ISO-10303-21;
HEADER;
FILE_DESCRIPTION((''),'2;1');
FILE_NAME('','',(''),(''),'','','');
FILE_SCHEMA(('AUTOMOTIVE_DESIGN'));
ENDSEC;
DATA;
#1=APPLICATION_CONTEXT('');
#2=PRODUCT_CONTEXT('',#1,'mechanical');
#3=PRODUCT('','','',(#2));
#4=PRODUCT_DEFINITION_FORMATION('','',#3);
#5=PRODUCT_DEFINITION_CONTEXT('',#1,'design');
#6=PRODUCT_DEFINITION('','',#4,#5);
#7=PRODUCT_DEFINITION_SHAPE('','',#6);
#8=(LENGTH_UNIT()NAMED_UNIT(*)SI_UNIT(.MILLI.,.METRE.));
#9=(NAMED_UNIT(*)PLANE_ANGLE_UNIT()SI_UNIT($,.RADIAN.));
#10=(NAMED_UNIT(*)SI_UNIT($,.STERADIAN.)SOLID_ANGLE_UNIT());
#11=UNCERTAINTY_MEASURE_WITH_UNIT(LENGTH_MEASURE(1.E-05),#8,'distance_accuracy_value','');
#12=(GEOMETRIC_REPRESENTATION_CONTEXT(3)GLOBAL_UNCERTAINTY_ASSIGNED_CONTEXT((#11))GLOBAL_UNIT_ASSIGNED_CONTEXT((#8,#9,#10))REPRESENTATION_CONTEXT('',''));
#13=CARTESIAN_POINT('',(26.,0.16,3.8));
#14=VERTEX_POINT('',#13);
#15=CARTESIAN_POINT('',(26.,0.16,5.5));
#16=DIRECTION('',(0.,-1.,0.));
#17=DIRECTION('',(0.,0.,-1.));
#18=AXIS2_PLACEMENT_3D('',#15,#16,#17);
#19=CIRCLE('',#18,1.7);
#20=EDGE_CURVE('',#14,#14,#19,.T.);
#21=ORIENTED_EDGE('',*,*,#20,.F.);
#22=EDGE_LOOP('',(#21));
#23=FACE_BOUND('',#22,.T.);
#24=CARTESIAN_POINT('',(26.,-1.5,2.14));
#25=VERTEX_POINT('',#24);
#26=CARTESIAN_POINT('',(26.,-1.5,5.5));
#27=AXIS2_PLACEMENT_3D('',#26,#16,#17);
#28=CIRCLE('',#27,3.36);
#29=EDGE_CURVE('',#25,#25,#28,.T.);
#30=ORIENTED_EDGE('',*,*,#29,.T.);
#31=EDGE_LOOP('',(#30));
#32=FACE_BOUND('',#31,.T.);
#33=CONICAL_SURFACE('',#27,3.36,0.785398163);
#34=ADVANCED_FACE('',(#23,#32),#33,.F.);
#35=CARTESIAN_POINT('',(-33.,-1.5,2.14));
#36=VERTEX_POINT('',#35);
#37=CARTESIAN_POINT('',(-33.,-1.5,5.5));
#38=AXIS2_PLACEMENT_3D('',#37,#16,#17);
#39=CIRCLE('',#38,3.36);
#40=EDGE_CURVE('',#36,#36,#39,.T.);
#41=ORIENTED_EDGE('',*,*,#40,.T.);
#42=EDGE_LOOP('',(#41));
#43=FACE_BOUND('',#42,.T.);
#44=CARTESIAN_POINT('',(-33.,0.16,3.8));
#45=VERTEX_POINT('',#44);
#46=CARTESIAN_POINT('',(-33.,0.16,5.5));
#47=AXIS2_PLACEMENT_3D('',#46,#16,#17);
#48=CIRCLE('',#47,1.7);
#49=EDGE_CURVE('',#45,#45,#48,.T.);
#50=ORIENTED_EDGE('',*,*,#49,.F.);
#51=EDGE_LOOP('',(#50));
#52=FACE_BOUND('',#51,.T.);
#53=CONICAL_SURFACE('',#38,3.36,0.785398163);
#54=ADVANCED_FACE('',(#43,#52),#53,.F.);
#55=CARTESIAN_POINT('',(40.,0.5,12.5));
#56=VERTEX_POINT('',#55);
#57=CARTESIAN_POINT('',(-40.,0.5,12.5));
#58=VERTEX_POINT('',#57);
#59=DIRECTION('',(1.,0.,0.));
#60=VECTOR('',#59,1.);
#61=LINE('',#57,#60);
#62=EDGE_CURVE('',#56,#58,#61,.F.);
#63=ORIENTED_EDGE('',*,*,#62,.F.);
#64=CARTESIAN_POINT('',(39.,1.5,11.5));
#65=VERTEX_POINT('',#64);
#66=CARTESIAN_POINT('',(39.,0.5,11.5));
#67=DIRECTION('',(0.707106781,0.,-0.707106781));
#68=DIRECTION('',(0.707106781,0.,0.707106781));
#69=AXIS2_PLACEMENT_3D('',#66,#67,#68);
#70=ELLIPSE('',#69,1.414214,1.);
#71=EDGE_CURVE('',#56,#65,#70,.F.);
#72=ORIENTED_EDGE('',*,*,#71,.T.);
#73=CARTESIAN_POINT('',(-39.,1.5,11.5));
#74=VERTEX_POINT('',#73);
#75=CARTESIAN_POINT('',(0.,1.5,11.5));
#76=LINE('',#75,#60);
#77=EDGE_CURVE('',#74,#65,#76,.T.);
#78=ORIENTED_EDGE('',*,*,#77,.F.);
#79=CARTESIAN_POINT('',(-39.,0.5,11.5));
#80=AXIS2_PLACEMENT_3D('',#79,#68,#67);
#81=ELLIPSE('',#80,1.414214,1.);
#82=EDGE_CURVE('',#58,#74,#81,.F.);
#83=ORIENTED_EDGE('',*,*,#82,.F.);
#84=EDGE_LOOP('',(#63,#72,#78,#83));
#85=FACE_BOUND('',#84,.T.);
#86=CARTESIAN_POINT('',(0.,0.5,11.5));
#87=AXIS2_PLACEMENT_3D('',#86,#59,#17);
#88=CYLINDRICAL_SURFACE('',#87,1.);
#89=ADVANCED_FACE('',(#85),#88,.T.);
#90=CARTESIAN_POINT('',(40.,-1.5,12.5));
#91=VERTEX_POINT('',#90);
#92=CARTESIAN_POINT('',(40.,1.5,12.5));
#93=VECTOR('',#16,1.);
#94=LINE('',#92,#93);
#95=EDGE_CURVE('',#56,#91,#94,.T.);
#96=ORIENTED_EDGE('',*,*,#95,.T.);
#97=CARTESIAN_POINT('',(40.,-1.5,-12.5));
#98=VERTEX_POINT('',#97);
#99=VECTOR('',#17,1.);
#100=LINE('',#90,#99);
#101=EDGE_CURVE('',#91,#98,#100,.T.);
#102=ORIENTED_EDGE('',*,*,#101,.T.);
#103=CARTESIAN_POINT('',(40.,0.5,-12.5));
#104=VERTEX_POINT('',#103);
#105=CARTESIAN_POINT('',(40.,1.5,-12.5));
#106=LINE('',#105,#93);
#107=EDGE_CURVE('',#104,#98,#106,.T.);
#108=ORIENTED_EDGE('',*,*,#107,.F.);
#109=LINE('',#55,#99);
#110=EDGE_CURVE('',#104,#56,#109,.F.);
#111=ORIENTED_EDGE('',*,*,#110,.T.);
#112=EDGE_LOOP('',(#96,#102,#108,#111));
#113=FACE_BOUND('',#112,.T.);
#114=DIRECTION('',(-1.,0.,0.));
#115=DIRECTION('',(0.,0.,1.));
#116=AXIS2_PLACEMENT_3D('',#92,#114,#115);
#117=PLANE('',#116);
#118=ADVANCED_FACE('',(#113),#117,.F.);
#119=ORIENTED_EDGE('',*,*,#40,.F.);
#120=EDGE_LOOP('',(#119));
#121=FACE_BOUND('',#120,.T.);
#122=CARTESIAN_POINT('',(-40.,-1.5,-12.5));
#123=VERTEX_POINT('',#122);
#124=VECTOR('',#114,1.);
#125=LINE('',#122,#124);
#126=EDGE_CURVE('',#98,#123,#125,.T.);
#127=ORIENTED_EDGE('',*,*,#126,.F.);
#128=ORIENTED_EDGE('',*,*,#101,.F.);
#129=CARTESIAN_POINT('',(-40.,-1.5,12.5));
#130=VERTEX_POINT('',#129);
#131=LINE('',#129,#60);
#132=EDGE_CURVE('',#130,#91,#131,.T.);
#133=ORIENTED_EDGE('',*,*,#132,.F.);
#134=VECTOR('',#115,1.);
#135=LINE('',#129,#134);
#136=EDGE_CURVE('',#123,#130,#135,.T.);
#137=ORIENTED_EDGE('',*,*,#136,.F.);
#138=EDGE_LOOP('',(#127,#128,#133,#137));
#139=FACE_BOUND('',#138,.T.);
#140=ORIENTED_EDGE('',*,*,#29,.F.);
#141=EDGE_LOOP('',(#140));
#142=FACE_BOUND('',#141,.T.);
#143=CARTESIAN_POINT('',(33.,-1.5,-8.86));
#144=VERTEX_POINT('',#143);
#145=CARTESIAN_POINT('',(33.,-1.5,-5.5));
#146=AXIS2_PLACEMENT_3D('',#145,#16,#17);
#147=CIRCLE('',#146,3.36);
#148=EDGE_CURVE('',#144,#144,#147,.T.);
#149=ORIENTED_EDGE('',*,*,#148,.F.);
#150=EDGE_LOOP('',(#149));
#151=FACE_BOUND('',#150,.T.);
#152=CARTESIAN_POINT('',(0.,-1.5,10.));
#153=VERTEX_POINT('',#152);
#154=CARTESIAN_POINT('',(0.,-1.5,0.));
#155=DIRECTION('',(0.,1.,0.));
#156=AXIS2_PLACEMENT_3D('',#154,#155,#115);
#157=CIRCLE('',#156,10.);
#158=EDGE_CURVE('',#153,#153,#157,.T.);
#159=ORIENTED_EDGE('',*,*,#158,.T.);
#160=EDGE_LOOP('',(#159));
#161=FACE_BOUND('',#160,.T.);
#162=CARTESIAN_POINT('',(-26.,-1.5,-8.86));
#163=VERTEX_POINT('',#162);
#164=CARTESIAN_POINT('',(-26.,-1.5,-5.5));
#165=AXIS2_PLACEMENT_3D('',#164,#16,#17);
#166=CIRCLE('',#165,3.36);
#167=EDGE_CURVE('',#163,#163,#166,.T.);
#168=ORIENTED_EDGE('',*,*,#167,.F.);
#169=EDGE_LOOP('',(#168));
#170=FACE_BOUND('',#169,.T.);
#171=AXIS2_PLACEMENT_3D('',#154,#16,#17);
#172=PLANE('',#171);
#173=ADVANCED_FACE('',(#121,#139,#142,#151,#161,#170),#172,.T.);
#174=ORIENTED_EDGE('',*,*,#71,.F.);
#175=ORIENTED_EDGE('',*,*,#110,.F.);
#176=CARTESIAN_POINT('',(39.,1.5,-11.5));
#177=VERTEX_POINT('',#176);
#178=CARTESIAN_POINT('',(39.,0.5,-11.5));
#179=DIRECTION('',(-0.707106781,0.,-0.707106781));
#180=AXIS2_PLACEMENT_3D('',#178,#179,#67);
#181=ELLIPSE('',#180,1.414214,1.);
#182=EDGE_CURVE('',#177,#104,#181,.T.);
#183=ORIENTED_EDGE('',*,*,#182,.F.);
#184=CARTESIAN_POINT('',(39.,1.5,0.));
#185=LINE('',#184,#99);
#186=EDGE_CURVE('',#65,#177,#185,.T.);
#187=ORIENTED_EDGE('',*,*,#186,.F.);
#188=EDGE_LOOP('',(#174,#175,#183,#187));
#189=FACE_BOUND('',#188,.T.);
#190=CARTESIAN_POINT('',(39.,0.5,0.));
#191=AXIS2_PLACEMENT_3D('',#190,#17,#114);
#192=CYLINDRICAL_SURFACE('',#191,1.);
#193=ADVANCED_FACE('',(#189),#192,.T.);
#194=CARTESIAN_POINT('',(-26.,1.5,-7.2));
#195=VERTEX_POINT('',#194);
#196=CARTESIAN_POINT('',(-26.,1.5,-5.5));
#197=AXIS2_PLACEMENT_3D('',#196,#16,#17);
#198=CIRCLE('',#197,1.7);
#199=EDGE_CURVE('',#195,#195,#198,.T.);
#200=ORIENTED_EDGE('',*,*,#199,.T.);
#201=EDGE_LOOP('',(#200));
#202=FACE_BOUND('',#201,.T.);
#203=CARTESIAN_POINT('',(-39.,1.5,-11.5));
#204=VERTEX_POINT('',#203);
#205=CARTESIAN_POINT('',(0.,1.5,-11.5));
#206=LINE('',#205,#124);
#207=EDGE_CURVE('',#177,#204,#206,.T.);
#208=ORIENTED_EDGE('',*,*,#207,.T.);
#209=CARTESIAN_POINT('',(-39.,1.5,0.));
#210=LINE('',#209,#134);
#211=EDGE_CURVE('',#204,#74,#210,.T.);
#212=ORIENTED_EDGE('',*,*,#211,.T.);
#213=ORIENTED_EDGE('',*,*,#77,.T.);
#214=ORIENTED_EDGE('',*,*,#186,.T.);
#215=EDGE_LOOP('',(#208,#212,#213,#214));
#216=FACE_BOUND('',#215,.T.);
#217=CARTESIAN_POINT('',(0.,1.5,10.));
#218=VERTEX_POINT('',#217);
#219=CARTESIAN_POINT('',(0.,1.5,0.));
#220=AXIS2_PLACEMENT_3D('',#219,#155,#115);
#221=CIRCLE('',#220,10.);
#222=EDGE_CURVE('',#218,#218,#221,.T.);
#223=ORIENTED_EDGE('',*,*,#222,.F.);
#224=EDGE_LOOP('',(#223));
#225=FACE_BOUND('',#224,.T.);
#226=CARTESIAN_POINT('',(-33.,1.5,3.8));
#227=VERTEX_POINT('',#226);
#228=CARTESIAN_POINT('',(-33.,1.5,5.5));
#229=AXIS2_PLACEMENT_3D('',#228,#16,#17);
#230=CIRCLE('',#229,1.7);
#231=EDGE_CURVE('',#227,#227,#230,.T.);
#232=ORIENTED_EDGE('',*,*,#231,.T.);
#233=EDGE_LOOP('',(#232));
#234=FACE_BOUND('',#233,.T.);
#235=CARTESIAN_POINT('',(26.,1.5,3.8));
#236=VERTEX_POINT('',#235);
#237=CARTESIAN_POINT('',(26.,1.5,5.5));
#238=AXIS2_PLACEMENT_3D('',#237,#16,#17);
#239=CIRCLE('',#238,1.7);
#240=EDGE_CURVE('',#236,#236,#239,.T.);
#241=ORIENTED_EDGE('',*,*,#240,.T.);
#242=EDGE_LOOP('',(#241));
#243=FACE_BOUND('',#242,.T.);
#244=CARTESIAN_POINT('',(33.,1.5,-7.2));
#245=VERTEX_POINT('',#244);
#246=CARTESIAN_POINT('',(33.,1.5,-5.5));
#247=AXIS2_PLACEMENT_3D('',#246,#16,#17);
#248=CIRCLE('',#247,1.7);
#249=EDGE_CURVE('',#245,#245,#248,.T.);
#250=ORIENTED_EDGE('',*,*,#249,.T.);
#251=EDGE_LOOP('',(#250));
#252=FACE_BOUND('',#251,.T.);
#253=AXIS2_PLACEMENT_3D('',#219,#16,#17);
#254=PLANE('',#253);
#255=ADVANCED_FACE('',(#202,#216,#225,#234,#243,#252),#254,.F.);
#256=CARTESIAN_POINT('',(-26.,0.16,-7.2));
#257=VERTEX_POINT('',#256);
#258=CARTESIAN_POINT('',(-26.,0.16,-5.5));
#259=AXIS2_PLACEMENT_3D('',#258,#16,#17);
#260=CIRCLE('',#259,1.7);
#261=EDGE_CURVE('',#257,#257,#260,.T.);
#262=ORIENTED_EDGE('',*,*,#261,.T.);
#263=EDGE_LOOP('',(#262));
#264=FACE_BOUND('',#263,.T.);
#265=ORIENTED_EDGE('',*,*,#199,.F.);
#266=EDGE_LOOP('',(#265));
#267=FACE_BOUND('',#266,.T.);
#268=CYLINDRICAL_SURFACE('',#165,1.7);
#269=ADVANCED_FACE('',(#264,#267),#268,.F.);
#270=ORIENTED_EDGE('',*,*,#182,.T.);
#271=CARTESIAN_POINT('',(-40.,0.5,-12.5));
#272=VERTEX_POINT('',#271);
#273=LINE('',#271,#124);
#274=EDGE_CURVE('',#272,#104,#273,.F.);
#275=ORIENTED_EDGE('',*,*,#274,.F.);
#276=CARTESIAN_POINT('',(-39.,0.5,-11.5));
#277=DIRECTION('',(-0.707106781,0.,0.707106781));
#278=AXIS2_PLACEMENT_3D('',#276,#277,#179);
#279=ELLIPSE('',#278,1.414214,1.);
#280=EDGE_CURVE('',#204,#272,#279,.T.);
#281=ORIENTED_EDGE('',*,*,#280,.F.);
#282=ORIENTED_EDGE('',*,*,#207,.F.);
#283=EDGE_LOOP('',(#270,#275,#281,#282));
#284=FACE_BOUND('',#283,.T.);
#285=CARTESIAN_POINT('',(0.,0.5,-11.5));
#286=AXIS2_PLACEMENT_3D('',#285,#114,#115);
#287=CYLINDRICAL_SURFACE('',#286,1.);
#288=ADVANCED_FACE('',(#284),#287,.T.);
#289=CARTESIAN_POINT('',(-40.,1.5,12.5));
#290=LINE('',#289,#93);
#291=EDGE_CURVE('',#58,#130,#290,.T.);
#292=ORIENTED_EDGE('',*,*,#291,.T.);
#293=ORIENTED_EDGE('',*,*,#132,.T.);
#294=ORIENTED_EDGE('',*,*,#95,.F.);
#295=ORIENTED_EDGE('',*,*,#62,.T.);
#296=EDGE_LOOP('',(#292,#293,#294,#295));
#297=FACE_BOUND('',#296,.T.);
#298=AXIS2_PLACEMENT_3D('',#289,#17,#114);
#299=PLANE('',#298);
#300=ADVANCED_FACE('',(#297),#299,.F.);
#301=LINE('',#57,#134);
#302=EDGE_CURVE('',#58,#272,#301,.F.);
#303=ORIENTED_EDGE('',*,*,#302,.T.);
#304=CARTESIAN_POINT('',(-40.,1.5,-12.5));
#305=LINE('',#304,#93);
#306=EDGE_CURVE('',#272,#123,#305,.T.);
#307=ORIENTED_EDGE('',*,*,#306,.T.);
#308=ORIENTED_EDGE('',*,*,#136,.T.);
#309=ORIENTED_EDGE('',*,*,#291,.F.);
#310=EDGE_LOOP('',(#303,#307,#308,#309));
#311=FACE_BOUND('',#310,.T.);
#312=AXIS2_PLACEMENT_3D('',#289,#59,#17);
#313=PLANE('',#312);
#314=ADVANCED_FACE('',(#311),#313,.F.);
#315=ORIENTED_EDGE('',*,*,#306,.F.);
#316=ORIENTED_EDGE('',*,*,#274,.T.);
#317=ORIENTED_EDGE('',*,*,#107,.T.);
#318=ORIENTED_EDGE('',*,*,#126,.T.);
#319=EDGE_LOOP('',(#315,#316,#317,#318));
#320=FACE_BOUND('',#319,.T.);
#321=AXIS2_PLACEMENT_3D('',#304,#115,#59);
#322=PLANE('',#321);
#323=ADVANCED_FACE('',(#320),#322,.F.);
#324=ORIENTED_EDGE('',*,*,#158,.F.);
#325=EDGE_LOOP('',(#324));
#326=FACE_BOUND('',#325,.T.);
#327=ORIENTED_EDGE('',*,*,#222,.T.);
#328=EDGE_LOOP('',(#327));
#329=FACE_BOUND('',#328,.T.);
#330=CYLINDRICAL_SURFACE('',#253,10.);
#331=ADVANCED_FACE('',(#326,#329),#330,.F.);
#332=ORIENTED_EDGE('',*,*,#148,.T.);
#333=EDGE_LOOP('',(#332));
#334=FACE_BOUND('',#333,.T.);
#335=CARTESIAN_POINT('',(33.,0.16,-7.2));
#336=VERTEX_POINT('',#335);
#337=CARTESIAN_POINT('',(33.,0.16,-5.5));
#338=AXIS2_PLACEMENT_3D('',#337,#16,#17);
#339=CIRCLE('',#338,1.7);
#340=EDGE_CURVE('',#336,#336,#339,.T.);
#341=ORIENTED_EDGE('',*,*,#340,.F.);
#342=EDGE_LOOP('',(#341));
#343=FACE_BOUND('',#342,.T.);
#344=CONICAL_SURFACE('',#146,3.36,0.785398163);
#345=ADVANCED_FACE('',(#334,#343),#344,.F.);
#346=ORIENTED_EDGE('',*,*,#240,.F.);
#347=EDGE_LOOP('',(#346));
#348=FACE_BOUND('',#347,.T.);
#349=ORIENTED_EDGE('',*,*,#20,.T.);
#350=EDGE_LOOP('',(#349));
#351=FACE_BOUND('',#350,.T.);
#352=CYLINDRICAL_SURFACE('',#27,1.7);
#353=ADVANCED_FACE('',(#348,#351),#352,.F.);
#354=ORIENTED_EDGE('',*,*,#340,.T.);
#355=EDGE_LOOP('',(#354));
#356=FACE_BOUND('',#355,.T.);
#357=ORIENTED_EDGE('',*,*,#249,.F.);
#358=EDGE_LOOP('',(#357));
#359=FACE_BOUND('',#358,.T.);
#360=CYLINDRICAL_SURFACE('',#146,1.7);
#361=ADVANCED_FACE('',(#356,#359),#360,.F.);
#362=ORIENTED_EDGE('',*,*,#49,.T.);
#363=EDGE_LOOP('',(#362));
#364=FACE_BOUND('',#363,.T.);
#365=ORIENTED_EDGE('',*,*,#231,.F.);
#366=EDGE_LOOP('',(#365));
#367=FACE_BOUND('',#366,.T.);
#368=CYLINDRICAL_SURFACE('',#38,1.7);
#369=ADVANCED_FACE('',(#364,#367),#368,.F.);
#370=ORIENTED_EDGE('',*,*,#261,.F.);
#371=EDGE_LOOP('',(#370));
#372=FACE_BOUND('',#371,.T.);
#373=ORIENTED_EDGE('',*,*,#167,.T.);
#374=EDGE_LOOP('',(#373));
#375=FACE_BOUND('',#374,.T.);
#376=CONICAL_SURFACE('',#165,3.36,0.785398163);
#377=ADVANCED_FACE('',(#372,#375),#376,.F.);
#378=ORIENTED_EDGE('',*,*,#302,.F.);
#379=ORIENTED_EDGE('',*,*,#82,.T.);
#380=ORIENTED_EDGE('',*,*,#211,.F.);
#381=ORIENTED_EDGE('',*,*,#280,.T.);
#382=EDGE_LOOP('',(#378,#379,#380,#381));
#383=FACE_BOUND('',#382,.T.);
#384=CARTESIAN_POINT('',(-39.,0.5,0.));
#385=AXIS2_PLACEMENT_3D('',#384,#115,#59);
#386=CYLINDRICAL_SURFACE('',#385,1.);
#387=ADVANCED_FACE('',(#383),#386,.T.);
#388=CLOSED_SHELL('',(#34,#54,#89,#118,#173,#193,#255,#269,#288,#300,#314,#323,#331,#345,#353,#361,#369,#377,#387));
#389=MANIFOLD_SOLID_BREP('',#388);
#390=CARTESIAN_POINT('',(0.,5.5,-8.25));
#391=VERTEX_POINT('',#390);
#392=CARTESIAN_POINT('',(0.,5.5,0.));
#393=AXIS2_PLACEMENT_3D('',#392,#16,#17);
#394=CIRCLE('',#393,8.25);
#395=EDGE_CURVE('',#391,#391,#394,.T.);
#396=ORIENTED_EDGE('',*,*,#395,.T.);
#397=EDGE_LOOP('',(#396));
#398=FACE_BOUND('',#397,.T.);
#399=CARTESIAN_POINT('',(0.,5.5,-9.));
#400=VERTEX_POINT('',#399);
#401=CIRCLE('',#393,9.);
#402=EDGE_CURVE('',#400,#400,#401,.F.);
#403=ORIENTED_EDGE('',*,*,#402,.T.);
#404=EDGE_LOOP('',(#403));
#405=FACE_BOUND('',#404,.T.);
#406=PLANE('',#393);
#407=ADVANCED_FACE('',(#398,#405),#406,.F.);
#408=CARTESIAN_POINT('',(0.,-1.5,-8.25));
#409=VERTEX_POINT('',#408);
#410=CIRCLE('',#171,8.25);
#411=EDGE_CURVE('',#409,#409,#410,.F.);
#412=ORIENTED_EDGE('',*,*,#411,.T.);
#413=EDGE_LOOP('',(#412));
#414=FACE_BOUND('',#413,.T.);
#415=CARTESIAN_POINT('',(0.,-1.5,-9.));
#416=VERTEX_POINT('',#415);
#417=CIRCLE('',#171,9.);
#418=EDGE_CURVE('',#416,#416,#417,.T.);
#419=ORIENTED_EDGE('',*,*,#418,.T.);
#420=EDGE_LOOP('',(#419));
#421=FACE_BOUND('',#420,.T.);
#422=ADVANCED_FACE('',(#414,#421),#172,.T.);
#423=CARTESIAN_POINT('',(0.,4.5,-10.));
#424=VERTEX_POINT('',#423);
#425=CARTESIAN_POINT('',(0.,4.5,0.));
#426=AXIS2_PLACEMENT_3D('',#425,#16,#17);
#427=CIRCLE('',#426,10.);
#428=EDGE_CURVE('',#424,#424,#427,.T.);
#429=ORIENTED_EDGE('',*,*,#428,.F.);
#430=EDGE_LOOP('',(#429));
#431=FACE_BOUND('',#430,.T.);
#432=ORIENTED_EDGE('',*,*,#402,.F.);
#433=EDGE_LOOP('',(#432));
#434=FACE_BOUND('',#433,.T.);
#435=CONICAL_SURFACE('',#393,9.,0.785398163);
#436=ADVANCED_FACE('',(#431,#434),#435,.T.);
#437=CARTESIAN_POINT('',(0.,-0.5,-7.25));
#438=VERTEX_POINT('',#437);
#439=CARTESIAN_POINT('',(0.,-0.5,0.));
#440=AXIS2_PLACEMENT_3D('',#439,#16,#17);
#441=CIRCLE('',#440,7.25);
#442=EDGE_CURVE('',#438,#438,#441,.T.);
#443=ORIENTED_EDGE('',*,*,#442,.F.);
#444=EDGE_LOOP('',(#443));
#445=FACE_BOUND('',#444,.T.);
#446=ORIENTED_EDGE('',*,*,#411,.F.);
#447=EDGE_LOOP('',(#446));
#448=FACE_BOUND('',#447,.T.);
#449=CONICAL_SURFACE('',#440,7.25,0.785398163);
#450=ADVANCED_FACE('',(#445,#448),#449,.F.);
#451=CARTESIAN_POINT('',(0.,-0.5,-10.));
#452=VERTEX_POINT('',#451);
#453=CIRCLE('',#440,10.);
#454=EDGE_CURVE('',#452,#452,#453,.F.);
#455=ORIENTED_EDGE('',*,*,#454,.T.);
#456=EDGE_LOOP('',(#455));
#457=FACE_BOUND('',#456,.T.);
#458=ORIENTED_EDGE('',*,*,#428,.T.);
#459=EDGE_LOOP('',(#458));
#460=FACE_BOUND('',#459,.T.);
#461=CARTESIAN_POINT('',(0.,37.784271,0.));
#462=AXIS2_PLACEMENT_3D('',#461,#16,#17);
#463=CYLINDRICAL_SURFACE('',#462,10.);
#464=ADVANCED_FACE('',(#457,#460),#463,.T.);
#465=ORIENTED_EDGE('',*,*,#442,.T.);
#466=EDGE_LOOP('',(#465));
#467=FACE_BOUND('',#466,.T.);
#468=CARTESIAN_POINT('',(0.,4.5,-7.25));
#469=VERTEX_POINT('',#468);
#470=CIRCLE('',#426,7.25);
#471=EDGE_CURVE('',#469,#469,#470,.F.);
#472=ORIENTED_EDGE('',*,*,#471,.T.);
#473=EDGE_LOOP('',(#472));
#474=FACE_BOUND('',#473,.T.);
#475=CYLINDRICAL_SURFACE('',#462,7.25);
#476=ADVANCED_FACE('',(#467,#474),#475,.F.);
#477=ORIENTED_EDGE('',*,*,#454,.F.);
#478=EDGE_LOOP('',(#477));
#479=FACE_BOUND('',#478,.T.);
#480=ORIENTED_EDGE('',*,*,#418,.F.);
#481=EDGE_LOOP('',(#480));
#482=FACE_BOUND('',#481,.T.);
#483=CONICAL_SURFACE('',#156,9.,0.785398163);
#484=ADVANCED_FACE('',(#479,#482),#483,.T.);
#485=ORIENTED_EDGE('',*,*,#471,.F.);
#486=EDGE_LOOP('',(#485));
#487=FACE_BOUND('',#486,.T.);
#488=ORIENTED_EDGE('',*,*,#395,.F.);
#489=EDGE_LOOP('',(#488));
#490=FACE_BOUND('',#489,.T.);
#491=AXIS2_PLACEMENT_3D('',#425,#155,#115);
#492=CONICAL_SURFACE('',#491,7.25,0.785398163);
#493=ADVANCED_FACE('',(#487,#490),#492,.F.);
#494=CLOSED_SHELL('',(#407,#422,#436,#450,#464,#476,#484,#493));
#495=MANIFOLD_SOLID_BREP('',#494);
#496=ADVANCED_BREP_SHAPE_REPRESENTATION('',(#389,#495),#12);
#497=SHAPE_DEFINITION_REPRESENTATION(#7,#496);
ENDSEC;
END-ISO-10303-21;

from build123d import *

# Parameters (mm, degrees)
ESBO_O1_W                           = 80
ESBO_O1_H                           = 25
ESBO_O1_R                           = 10
RESSALTO_EXTRUS_O1_DEPTH            = 1.5
ESBO_O2_R                           = 10
ESBO_O2_R_2                         = 7.25
RESSALTO_EXTRUS_O2_DEPTH            = 7
CHANFRO1_SIZE                       = 1
FILETE1_R                           = 1
ESCAREADO_PARA_SFHCS_M31_AT_2_COUNT = 2
ESCAREADO_PARA_SFHCS_M31_AT_2_PITCH = 13.03840481
ESCAREADO_PARA_SFHCS_M31_AT_3_COUNT = 2
ESCAREADO_PARA_SFHCS_M31_AT_3_PITCH = 59
ESCAREADO_PARA_SFHCS_M31_AT_4_COUNT = 2
ESCAREADO_PARA_SFHCS_M31_AT_4_PITCH = 66.910387833


with BuildPart() as part:
    # Esboço1 → Ressalto-extrusão1 (new, symmetric)
    with BuildSketch(Plane(origin=(0, 0, 0), x_dir=(1, 0, 0), z_dir=(0, 1, 0))):
        Rectangle(ESBO_O1_W, ESBO_O1_H)
        with Locations(Location((0, 0, 0), (0, 0, 270))):
            Circle(ESBO_O1_R, mode=Mode.SUBTRACT)
    extrude(amount=RESSALTO_EXTRUS_O1_DEPTH, both=True)

    # Filete1
    filete1_edges = [part.edges().sort_by_distance(p)[0] for p in [
        (-40, 1.5, 0),
        (0, 1.5, 12.5),
        (40, 1.5, 0),
        (0, 1.5, -12.5),
    ]]
    fillet(filete1_edges, radius=FILETE1_R)

    # Esboço5 → Escareado para SFHCS M31 (revolve, cut)
    with BuildSketch(Plane(origin=(33, -1.5, -5.5), x_dir=(0, 0, -1), z_dir=(1, 0, 0))):
        Polygon((0, 0), (0, 7), (1.7, 7), (1.7, 1.66), (3.36, 0), align=None)
    escareado_para_sfhcs_m31 = revolve(axis=Axis((33, -7.85, -5.5), (0, 1, 0)), mode=Mode.SUBTRACT)

    # Escareado para SFHCS M31 at 2: Escareado para SFHCS M31 ×2
    with Locations(*[Vector(-0.53687549219316, 0, 0.843661487732107) * (i * ESCAREADO_PARA_SFHCS_M31_AT_2_PITCH) for i in range(1, ESCAREADO_PARA_SFHCS_M31_AT_2_COUNT)]):
        add(escareado_para_sfhcs_m31, mode=Mode.SUBTRACT)

    # Escareado para SFHCS M31 at 3: Escareado para SFHCS M31 ×2
    with Locations(*[(-i * ESCAREADO_PARA_SFHCS_M31_AT_3_PITCH, 0, 0) for i in range(1, ESCAREADO_PARA_SFHCS_M31_AT_3_COUNT)]):
        add(escareado_para_sfhcs_m31, mode=Mode.SUBTRACT)

    # Escareado para SFHCS M31 at 4: Escareado para SFHCS M31 ×2
    with Locations(*[Vector(-0.9863939238321439, 0, 0.16439898730535696) * (i * ESCAREADO_PARA_SFHCS_M31_AT_4_PITCH) for i in range(1, ESCAREADO_PARA_SFHCS_M31_AT_4_COUNT)]):
        add(escareado_para_sfhcs_m31, mode=Mode.SUBTRACT)


with BuildPart() as body_2:
    # Esboço2 → Ressalto-extrusão2 (new body)
    with BuildSketch(Plane.XZ.offset(1.5)):
        with Locations(Location((0, 0, 0), (0, 0, 270))):
            Circle(ESBO_O2_R)
        with Locations(Location((0, 0, 0), (0, 0, 270))):
            Circle(ESBO_O2_R_2, mode=Mode.SUBTRACT)
    extrude(amount=-RESSALTO_EXTRUS_O2_DEPTH)

    # Chanfro1
    chanfro1_edges = [body_2.edges().sort_by_distance(p)[0] for p in [
        (0, -1.5, 10),
        (0, -1.5, 7.25),
        (0, 5.5, 10),
        (0, 5.5, 7.25),
    ]]
    chamfer(chanfro1_edges, length=CHANFRO1_SIZE)


solid = Compound([part.part, body_2.part])
